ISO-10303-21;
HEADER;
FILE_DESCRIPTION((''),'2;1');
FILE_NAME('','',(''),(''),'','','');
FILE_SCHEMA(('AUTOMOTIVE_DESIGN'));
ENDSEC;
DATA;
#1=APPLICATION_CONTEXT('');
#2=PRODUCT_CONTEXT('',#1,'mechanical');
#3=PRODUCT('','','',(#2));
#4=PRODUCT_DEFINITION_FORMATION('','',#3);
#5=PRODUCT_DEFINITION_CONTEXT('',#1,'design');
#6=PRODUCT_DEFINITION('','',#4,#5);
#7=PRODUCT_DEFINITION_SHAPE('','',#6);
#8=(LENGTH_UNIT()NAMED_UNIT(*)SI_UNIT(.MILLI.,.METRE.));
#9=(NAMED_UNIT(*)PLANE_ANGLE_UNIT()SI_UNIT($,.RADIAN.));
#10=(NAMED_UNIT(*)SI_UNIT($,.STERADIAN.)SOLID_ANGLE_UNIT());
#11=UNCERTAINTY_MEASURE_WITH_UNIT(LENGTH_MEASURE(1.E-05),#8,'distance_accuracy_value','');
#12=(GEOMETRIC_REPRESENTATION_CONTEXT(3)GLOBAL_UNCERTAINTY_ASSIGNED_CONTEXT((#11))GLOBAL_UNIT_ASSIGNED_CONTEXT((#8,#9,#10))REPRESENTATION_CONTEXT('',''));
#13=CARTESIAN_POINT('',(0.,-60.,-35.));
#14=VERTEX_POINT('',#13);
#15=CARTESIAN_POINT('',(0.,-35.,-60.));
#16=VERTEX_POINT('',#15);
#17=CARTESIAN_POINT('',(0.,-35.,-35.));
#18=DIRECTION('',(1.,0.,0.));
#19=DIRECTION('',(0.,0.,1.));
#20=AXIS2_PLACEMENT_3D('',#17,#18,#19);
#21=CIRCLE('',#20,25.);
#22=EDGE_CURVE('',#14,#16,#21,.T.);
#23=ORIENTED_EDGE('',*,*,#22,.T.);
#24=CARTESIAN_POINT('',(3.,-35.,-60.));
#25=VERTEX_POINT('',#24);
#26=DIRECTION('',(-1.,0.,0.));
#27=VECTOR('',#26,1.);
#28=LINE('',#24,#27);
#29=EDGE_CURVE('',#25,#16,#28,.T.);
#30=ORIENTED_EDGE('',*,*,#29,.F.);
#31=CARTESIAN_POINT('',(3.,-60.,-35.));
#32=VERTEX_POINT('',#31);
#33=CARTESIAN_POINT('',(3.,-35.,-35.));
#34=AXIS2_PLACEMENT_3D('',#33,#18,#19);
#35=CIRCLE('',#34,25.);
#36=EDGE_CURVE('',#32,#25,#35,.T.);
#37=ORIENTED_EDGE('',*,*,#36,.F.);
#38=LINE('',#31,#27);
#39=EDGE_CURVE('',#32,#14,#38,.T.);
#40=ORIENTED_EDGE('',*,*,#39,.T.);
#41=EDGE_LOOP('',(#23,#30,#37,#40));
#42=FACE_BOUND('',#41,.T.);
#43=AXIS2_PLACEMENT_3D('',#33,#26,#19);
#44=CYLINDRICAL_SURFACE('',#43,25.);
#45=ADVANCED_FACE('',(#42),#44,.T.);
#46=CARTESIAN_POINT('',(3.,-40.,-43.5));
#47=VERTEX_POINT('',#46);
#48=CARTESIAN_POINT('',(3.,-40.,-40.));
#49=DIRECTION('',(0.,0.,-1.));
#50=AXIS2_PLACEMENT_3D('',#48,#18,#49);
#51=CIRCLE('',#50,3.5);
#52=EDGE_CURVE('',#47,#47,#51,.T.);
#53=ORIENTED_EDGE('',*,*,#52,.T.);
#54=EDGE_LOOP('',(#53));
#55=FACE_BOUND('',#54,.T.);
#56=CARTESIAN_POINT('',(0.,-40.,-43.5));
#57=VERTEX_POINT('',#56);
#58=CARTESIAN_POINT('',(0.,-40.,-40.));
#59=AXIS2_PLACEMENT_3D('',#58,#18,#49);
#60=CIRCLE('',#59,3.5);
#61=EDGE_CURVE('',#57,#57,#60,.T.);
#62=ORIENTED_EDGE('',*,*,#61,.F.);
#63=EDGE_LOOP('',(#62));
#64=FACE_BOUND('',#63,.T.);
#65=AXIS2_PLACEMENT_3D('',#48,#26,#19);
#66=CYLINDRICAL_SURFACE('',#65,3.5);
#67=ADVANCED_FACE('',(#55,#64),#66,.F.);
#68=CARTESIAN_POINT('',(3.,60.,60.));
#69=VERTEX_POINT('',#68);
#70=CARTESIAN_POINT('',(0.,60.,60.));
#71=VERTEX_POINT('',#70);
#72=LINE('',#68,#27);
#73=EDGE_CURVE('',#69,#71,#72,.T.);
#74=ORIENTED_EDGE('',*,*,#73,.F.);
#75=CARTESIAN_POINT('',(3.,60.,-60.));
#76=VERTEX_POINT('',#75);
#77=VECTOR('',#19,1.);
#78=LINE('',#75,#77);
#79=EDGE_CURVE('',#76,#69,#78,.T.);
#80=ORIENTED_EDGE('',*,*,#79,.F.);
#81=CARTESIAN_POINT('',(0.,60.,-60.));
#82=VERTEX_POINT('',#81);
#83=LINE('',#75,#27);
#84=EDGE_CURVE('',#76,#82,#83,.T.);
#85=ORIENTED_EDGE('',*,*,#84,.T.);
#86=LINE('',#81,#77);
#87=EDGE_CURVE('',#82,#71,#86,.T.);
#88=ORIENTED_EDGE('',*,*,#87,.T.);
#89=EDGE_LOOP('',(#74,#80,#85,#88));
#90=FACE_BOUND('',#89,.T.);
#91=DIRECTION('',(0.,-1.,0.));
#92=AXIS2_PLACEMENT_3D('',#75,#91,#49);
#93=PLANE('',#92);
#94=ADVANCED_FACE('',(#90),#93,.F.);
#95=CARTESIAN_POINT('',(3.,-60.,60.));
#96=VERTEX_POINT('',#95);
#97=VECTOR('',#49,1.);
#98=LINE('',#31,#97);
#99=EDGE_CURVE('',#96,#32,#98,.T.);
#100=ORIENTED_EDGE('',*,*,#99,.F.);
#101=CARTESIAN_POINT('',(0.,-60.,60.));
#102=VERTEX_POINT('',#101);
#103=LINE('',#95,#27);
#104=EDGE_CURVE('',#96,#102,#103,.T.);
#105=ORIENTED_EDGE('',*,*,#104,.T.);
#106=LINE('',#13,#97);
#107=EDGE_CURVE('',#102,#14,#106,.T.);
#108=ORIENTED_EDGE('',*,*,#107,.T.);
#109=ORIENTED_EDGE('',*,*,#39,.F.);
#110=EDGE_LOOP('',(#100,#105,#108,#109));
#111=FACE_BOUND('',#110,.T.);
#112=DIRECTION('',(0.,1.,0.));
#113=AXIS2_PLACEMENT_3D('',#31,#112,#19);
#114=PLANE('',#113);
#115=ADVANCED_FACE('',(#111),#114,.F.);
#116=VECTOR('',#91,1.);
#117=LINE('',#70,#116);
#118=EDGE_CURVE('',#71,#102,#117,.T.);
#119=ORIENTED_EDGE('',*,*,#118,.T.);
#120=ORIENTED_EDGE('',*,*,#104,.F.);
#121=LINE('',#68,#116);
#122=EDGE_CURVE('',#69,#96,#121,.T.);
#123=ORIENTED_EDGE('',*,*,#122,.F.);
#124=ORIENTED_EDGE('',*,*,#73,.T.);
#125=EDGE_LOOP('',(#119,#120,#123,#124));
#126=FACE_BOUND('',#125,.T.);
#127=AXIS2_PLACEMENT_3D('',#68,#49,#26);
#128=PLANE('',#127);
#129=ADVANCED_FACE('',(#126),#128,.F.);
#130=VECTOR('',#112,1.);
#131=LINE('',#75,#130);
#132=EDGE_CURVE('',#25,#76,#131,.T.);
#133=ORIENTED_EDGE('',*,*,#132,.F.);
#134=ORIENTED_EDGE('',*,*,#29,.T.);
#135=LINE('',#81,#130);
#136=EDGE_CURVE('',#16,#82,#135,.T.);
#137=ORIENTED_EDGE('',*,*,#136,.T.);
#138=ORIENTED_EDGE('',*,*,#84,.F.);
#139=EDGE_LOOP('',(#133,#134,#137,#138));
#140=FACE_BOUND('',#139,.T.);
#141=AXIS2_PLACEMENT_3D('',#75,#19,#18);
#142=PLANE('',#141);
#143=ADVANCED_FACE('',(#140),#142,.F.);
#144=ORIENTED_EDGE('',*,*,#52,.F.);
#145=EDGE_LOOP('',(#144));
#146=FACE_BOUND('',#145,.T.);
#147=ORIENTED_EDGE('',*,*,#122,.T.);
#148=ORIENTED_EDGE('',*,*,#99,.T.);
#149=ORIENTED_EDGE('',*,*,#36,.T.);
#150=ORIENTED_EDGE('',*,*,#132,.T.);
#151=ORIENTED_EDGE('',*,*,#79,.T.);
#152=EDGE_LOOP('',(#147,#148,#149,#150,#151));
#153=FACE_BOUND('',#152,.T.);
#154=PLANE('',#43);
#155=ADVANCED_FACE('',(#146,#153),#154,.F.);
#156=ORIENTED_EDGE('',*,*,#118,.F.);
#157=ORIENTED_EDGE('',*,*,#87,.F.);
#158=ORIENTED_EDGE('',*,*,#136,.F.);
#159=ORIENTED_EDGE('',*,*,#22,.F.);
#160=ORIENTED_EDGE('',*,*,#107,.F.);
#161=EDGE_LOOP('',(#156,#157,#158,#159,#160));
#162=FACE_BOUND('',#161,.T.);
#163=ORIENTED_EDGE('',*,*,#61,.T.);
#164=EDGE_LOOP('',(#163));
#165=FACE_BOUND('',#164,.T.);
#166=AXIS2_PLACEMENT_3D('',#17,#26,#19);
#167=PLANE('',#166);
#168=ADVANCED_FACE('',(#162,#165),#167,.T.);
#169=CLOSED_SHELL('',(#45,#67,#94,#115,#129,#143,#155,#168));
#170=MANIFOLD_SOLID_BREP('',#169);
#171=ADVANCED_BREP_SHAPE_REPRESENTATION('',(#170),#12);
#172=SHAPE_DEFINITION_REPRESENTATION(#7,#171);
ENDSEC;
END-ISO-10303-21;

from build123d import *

# Parameters (mm, degrees)
SKETCH1_R           = 3.5
BOSS_EXTRUDE1_DEPTH = 3


with BuildPart() as part:
    # Sketch1 → Boss-Extrude1 (new body)
    with BuildSketch(Plane(origin=(0, 0, 0), x_dir=(0, 0, -1), z_dir=(1, 0, 0))):
        with BuildLine():
            Line((60, 60), (-60, 60))
            Line((-60, 60), (-60, -60))
            Line((-60, -60), (35, -60))
            ThreePointArc((35, -60), (52.67766953, -52.67766953), (60, -35))
            Line((60, -35), (60, 60))
        make_face()
        with Locations((40, -40)):
            Circle(SKETCH1_R, mode=Mode.SUBTRACT)
    extrude(amount=BOSS_EXTRUDE1_DEPTH)


solid = part.part
